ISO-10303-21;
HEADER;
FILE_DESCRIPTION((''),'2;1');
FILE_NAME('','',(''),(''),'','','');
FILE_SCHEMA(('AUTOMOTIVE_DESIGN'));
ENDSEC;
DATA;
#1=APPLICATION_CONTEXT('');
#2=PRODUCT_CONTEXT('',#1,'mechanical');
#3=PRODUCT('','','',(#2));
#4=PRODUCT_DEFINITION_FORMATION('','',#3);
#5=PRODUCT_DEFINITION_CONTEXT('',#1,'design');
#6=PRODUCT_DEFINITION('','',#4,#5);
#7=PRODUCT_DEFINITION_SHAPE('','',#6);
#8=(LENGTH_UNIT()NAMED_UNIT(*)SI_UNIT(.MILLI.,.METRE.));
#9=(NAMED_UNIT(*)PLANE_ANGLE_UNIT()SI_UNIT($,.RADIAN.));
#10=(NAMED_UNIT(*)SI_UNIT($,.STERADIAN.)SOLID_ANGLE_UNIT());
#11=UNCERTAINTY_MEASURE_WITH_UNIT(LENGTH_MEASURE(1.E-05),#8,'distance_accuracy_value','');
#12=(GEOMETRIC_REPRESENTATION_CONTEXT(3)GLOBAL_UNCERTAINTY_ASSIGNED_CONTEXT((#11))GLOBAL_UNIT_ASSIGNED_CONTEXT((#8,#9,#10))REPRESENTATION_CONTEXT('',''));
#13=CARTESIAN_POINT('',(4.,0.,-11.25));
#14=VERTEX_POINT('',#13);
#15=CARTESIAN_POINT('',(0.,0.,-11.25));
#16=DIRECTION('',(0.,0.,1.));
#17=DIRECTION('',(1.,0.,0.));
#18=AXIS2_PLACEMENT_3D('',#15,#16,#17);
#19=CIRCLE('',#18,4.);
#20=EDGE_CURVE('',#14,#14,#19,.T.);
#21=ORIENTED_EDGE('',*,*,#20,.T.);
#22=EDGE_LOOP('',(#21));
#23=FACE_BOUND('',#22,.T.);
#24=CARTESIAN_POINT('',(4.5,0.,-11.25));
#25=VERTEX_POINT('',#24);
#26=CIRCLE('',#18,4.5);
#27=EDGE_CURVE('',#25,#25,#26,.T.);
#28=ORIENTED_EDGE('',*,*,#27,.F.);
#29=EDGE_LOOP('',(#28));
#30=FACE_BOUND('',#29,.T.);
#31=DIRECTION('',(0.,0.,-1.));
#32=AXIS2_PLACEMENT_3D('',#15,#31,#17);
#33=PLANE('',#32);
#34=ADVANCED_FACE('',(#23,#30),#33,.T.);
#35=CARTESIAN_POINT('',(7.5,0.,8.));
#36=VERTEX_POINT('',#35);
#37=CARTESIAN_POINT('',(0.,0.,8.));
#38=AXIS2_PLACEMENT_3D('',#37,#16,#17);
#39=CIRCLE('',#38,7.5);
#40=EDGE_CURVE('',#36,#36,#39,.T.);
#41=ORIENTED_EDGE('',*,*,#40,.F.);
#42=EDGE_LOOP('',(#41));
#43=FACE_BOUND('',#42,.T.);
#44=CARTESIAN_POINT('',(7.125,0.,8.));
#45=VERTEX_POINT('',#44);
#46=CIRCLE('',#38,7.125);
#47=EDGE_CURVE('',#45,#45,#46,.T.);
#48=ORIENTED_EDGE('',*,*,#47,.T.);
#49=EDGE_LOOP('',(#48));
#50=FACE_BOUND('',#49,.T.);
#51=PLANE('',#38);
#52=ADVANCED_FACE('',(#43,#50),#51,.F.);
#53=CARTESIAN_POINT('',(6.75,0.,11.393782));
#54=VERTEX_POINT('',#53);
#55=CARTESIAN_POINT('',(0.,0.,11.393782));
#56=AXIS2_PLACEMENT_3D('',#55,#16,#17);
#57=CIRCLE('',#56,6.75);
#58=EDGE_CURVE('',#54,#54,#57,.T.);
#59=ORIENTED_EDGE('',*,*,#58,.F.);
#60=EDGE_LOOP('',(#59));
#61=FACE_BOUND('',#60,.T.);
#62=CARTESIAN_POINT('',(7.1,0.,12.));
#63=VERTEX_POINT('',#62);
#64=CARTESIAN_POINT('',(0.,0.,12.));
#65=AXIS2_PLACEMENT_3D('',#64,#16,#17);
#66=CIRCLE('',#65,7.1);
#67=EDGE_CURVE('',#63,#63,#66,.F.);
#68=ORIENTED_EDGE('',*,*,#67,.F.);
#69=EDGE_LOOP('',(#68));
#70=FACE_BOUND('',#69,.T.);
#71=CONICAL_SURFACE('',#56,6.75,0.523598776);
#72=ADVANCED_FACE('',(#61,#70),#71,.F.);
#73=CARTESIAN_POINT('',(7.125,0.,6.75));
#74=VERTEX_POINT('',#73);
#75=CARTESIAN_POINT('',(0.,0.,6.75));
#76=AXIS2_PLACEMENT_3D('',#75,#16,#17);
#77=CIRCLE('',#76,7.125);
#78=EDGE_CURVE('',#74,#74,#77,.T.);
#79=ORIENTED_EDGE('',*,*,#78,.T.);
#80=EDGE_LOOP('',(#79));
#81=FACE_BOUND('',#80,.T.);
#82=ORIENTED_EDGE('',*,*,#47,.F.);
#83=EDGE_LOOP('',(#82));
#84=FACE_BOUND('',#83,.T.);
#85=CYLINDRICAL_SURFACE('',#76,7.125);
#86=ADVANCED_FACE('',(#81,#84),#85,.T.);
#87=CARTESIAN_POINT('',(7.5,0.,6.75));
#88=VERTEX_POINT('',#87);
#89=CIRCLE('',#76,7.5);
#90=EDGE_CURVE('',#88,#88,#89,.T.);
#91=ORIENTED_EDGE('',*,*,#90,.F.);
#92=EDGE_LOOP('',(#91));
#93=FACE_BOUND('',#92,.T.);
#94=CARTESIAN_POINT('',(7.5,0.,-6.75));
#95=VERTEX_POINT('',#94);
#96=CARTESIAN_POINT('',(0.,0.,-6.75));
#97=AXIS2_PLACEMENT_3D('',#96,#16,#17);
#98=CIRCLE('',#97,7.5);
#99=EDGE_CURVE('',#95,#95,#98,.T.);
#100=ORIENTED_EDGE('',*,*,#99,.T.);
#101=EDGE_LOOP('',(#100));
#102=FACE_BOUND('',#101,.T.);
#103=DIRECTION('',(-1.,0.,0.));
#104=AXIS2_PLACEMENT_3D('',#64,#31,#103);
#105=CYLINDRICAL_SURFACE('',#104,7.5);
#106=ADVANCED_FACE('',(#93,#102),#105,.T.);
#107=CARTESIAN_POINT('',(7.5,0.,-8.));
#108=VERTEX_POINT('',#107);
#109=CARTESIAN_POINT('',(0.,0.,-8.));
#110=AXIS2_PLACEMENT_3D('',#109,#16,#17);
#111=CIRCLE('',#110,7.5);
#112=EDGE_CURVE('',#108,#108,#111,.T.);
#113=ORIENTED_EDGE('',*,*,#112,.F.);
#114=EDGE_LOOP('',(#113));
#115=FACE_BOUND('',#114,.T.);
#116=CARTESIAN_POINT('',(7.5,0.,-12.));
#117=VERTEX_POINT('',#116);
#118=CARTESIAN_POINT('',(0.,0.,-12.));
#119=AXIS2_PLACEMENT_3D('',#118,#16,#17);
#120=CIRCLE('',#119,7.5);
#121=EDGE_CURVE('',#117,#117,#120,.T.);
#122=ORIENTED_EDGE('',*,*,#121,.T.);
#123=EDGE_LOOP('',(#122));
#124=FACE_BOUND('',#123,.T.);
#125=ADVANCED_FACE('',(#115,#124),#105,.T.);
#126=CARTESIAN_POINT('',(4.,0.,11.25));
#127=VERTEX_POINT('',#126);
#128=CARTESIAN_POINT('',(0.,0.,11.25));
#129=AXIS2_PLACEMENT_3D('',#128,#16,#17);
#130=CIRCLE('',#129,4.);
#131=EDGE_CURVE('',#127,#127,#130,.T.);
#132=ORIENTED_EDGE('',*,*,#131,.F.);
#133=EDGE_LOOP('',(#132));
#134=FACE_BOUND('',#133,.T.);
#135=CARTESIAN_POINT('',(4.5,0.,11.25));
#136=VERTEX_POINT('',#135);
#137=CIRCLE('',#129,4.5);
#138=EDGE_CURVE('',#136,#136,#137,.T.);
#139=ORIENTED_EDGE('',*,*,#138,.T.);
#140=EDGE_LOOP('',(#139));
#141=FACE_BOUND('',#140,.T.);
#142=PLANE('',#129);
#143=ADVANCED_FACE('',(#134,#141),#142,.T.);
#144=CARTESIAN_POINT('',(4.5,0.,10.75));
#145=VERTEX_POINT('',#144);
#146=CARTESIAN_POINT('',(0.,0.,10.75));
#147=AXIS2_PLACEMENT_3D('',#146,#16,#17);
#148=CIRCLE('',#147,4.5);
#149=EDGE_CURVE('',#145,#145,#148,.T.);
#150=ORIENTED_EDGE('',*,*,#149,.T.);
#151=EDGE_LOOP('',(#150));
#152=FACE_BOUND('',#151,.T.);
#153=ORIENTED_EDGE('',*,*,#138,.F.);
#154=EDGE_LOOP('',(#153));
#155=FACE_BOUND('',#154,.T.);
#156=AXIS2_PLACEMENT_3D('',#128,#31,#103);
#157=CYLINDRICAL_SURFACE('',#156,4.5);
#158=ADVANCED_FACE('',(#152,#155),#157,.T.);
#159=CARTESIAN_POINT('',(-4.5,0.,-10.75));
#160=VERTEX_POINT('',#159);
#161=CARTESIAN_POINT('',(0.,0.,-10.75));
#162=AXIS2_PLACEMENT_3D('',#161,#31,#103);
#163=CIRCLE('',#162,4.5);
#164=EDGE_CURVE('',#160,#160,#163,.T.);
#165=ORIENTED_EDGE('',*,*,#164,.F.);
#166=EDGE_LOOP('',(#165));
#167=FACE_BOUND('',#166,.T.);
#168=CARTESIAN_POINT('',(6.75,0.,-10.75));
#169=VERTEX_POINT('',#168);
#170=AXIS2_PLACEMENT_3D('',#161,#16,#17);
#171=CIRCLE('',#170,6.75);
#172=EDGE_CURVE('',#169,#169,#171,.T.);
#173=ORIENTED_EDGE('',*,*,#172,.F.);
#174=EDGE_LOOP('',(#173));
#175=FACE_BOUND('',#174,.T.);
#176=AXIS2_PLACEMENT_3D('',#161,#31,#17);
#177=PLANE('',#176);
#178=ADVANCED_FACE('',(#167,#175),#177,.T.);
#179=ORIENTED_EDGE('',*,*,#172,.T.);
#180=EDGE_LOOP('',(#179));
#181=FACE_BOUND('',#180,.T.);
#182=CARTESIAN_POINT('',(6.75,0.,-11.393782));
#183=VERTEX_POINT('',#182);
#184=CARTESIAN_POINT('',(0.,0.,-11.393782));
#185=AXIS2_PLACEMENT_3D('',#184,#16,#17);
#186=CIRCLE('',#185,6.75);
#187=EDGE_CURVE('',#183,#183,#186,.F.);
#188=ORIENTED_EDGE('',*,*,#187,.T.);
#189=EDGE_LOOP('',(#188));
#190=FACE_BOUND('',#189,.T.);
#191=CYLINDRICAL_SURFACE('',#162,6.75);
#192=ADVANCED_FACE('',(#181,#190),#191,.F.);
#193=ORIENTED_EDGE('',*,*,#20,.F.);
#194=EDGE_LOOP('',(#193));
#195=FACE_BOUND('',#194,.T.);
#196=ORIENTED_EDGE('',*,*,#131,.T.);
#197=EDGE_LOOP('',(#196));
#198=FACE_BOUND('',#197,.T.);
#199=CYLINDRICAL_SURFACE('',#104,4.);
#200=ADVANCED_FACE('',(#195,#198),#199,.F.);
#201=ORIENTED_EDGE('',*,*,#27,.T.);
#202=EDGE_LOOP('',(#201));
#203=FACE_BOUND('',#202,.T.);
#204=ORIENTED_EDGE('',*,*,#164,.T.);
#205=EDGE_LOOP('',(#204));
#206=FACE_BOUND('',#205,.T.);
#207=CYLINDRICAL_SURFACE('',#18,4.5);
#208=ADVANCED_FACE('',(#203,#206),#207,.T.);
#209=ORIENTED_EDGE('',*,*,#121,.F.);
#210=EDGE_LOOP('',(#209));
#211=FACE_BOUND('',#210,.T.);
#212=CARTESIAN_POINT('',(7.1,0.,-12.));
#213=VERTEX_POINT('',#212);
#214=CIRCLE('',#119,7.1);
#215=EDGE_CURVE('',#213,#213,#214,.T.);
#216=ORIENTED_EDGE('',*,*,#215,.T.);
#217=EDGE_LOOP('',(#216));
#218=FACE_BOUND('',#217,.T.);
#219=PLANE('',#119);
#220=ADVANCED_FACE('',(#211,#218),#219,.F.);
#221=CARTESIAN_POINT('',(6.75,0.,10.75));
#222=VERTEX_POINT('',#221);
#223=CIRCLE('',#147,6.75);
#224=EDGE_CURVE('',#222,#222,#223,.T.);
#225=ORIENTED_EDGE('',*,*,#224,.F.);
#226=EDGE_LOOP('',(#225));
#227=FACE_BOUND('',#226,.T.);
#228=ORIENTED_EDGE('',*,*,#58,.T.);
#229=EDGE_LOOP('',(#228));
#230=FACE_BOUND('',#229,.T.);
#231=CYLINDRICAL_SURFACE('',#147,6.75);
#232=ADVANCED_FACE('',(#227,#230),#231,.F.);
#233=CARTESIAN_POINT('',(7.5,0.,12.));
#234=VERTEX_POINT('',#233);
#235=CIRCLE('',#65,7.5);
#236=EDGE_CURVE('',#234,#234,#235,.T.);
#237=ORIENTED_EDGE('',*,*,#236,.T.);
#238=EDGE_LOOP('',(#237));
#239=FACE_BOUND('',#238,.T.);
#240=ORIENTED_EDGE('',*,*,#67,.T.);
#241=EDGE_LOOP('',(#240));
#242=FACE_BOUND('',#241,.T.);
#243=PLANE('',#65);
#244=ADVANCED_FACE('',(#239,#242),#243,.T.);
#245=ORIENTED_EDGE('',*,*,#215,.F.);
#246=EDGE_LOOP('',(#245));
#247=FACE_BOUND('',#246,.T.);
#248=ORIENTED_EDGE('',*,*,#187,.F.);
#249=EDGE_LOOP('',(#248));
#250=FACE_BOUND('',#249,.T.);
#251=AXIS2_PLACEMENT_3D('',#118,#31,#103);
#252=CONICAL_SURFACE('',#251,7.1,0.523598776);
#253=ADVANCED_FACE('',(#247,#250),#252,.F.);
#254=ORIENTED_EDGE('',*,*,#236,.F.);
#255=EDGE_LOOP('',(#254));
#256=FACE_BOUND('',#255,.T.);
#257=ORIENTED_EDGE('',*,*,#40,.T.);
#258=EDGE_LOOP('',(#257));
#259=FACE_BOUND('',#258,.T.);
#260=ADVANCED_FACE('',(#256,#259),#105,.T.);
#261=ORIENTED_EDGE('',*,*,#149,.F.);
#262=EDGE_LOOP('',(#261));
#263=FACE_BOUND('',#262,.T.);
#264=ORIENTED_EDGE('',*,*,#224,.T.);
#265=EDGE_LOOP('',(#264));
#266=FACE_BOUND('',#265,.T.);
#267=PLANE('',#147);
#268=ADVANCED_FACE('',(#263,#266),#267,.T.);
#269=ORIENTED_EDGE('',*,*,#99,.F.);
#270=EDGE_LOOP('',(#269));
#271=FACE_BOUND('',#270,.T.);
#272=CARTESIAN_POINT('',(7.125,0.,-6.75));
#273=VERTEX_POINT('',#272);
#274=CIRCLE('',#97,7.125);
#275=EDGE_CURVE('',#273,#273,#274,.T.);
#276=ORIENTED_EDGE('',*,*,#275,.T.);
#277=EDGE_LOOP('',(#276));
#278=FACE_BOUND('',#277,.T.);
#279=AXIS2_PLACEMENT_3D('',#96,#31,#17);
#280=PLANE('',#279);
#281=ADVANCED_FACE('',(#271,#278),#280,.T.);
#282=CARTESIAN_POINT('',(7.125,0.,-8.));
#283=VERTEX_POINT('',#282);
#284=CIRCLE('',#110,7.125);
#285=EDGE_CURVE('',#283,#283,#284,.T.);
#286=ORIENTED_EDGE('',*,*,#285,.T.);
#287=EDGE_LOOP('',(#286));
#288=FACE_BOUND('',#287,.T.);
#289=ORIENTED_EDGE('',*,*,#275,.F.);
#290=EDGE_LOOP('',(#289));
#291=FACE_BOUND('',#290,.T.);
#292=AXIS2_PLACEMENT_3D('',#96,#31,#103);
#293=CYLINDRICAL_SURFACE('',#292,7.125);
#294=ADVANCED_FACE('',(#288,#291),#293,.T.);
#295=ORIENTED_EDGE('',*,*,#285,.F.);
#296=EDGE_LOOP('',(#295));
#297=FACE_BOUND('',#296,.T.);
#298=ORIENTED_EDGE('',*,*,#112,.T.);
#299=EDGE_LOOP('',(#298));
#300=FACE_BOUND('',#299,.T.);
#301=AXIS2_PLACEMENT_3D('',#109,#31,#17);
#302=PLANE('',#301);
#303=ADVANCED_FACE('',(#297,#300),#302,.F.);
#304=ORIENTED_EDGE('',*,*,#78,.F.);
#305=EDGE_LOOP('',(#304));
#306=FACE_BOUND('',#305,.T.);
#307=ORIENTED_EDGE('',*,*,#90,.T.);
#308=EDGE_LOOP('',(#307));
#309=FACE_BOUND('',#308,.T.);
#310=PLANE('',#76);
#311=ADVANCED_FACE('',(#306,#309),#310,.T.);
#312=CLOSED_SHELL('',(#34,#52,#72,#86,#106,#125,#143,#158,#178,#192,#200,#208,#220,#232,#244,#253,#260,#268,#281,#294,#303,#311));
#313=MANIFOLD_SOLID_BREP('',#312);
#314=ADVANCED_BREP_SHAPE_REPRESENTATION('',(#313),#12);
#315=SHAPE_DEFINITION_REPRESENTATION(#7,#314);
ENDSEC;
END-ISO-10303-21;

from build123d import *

# Parameters (mm, degrees)
SZKIC1_R                    = 7.5
SZKIC1_R_2                  = 4
DODANIE_WYCI_GNI_CIE1_DEPTH = 12
SZKIC2_R                    = 6.75
WYTNIJ_WYCI_GNI_CIE1_DEPTH  = 1.25
SZKIC3_R                    = 4.5
SZKIC3_R_2                  = 4
DODANIE_WYCI_GNI_CIE2_DEPTH = 0.5
SFAZOWANIE1_SIZE            = 0.35
SFAZOWANIE1_SIZE2           = 0.606217783
SZKIC4_R                    = 7.5
SZKIC4_R_2                  = 7.125
WYTNIJ_WYCI_GNI_CIE2_DEPTH  = 1.25
SFAZOWANIE2_SIZE            = 0.35
SFAZOWANIE2_SIZE2           = 0.606217783


with BuildPart() as part:
    # Szkic1 → Dodanie-wyciągnięcie1 (new, symmetric)
    with BuildSketch(Plane.XY):
        Circle(SZKIC1_R)
        Circle(SZKIC1_R_2, mode=Mode.SUBTRACT)
    extrude(amount=DODANIE_WYCI_GNI_CIE1_DEPTH, both=True)

    # Szkic2 → Wytnij-wyciągnięcie1 (cut)
    with BuildSketch(Plane.XY.offset(12)):
        Circle(SZKIC2_R)
    wytnij_wyci_gni_cie1 = extrude(amount=-WYTNIJ_WYCI_GNI_CIE1_DEPTH, mode=Mode.SUBTRACT)

    # Szkic3 → Dodanie-wyciągnięcie2 (add)
    with BuildSketch(Plane.XY.offset(10.75)):
        Circle(SZKIC3_R)
        Circle(SZKIC3_R_2, mode=Mode.SUBTRACT)
    dodanie_wyci_gni_cie2 = extrude(amount=DODANIE_WYCI_GNI_CIE2_DEPTH)

    # Sfazowanie1
    sfazowanie1_edges = [part.edges().sort_by_distance(p)[0] for p in [
        (-6.75, 0, 12),
    ]]
    sfazowanie1_side = [part.faces().sort_by_distance(p)[0] for p in [
        (-7.287867966, 0, 12),
    ]]
    chamfer(sfazowanie1_edges, length=SFAZOWANIE1_SIZE, length2=SFAZOWANIE1_SIZE2, reference=sfazowanie1_side[0])

    # Szkic4 → Wytnij-wyciągnięcie2 (cut)
    with BuildSketch(Plane.XY.offset(8)):
        Circle(SZKIC4_R)
        Circle(SZKIC4_R_2, mode=Mode.SUBTRACT)
    wytnij_wyci_gni_cie2 = extrude(amount=-WYTNIJ_WYCI_GNI_CIE2_DEPTH, mode=Mode.SUBTRACT)

    # Lustro4: Wytnij-wyciągnięcie1, Dodanie-wyciągnięcie2, Wytnij-wyciągnięcie2 across plane
    add(wytnij_wyci_gni_cie1.mirror(Plane.XY), mode=Mode.SUBTRACT)
    add(dodanie_wyci_gni_cie2.mirror(Plane.XY))
    add(wytnij_wyci_gni_cie2.mirror(Plane.XY), mode=Mode.SUBTRACT)

    # Sfazowanie2
    sfazowanie2_edges = [part.edges().sort_by_distance(p)[0] for p in [
        (-6.75, 0, -12),
    ]]
    sfazowanie2_side = [part.faces().sort_by_distance(p)[0] for p in [
        (-7.287867966, 0, -12),
    ]]
    chamfer(sfazowanie2_edges, length=SFAZOWANIE2_SIZE, length2=SFAZOWANIE2_SIZE2, reference=sfazowanie2_side[0])


solid = part.part
